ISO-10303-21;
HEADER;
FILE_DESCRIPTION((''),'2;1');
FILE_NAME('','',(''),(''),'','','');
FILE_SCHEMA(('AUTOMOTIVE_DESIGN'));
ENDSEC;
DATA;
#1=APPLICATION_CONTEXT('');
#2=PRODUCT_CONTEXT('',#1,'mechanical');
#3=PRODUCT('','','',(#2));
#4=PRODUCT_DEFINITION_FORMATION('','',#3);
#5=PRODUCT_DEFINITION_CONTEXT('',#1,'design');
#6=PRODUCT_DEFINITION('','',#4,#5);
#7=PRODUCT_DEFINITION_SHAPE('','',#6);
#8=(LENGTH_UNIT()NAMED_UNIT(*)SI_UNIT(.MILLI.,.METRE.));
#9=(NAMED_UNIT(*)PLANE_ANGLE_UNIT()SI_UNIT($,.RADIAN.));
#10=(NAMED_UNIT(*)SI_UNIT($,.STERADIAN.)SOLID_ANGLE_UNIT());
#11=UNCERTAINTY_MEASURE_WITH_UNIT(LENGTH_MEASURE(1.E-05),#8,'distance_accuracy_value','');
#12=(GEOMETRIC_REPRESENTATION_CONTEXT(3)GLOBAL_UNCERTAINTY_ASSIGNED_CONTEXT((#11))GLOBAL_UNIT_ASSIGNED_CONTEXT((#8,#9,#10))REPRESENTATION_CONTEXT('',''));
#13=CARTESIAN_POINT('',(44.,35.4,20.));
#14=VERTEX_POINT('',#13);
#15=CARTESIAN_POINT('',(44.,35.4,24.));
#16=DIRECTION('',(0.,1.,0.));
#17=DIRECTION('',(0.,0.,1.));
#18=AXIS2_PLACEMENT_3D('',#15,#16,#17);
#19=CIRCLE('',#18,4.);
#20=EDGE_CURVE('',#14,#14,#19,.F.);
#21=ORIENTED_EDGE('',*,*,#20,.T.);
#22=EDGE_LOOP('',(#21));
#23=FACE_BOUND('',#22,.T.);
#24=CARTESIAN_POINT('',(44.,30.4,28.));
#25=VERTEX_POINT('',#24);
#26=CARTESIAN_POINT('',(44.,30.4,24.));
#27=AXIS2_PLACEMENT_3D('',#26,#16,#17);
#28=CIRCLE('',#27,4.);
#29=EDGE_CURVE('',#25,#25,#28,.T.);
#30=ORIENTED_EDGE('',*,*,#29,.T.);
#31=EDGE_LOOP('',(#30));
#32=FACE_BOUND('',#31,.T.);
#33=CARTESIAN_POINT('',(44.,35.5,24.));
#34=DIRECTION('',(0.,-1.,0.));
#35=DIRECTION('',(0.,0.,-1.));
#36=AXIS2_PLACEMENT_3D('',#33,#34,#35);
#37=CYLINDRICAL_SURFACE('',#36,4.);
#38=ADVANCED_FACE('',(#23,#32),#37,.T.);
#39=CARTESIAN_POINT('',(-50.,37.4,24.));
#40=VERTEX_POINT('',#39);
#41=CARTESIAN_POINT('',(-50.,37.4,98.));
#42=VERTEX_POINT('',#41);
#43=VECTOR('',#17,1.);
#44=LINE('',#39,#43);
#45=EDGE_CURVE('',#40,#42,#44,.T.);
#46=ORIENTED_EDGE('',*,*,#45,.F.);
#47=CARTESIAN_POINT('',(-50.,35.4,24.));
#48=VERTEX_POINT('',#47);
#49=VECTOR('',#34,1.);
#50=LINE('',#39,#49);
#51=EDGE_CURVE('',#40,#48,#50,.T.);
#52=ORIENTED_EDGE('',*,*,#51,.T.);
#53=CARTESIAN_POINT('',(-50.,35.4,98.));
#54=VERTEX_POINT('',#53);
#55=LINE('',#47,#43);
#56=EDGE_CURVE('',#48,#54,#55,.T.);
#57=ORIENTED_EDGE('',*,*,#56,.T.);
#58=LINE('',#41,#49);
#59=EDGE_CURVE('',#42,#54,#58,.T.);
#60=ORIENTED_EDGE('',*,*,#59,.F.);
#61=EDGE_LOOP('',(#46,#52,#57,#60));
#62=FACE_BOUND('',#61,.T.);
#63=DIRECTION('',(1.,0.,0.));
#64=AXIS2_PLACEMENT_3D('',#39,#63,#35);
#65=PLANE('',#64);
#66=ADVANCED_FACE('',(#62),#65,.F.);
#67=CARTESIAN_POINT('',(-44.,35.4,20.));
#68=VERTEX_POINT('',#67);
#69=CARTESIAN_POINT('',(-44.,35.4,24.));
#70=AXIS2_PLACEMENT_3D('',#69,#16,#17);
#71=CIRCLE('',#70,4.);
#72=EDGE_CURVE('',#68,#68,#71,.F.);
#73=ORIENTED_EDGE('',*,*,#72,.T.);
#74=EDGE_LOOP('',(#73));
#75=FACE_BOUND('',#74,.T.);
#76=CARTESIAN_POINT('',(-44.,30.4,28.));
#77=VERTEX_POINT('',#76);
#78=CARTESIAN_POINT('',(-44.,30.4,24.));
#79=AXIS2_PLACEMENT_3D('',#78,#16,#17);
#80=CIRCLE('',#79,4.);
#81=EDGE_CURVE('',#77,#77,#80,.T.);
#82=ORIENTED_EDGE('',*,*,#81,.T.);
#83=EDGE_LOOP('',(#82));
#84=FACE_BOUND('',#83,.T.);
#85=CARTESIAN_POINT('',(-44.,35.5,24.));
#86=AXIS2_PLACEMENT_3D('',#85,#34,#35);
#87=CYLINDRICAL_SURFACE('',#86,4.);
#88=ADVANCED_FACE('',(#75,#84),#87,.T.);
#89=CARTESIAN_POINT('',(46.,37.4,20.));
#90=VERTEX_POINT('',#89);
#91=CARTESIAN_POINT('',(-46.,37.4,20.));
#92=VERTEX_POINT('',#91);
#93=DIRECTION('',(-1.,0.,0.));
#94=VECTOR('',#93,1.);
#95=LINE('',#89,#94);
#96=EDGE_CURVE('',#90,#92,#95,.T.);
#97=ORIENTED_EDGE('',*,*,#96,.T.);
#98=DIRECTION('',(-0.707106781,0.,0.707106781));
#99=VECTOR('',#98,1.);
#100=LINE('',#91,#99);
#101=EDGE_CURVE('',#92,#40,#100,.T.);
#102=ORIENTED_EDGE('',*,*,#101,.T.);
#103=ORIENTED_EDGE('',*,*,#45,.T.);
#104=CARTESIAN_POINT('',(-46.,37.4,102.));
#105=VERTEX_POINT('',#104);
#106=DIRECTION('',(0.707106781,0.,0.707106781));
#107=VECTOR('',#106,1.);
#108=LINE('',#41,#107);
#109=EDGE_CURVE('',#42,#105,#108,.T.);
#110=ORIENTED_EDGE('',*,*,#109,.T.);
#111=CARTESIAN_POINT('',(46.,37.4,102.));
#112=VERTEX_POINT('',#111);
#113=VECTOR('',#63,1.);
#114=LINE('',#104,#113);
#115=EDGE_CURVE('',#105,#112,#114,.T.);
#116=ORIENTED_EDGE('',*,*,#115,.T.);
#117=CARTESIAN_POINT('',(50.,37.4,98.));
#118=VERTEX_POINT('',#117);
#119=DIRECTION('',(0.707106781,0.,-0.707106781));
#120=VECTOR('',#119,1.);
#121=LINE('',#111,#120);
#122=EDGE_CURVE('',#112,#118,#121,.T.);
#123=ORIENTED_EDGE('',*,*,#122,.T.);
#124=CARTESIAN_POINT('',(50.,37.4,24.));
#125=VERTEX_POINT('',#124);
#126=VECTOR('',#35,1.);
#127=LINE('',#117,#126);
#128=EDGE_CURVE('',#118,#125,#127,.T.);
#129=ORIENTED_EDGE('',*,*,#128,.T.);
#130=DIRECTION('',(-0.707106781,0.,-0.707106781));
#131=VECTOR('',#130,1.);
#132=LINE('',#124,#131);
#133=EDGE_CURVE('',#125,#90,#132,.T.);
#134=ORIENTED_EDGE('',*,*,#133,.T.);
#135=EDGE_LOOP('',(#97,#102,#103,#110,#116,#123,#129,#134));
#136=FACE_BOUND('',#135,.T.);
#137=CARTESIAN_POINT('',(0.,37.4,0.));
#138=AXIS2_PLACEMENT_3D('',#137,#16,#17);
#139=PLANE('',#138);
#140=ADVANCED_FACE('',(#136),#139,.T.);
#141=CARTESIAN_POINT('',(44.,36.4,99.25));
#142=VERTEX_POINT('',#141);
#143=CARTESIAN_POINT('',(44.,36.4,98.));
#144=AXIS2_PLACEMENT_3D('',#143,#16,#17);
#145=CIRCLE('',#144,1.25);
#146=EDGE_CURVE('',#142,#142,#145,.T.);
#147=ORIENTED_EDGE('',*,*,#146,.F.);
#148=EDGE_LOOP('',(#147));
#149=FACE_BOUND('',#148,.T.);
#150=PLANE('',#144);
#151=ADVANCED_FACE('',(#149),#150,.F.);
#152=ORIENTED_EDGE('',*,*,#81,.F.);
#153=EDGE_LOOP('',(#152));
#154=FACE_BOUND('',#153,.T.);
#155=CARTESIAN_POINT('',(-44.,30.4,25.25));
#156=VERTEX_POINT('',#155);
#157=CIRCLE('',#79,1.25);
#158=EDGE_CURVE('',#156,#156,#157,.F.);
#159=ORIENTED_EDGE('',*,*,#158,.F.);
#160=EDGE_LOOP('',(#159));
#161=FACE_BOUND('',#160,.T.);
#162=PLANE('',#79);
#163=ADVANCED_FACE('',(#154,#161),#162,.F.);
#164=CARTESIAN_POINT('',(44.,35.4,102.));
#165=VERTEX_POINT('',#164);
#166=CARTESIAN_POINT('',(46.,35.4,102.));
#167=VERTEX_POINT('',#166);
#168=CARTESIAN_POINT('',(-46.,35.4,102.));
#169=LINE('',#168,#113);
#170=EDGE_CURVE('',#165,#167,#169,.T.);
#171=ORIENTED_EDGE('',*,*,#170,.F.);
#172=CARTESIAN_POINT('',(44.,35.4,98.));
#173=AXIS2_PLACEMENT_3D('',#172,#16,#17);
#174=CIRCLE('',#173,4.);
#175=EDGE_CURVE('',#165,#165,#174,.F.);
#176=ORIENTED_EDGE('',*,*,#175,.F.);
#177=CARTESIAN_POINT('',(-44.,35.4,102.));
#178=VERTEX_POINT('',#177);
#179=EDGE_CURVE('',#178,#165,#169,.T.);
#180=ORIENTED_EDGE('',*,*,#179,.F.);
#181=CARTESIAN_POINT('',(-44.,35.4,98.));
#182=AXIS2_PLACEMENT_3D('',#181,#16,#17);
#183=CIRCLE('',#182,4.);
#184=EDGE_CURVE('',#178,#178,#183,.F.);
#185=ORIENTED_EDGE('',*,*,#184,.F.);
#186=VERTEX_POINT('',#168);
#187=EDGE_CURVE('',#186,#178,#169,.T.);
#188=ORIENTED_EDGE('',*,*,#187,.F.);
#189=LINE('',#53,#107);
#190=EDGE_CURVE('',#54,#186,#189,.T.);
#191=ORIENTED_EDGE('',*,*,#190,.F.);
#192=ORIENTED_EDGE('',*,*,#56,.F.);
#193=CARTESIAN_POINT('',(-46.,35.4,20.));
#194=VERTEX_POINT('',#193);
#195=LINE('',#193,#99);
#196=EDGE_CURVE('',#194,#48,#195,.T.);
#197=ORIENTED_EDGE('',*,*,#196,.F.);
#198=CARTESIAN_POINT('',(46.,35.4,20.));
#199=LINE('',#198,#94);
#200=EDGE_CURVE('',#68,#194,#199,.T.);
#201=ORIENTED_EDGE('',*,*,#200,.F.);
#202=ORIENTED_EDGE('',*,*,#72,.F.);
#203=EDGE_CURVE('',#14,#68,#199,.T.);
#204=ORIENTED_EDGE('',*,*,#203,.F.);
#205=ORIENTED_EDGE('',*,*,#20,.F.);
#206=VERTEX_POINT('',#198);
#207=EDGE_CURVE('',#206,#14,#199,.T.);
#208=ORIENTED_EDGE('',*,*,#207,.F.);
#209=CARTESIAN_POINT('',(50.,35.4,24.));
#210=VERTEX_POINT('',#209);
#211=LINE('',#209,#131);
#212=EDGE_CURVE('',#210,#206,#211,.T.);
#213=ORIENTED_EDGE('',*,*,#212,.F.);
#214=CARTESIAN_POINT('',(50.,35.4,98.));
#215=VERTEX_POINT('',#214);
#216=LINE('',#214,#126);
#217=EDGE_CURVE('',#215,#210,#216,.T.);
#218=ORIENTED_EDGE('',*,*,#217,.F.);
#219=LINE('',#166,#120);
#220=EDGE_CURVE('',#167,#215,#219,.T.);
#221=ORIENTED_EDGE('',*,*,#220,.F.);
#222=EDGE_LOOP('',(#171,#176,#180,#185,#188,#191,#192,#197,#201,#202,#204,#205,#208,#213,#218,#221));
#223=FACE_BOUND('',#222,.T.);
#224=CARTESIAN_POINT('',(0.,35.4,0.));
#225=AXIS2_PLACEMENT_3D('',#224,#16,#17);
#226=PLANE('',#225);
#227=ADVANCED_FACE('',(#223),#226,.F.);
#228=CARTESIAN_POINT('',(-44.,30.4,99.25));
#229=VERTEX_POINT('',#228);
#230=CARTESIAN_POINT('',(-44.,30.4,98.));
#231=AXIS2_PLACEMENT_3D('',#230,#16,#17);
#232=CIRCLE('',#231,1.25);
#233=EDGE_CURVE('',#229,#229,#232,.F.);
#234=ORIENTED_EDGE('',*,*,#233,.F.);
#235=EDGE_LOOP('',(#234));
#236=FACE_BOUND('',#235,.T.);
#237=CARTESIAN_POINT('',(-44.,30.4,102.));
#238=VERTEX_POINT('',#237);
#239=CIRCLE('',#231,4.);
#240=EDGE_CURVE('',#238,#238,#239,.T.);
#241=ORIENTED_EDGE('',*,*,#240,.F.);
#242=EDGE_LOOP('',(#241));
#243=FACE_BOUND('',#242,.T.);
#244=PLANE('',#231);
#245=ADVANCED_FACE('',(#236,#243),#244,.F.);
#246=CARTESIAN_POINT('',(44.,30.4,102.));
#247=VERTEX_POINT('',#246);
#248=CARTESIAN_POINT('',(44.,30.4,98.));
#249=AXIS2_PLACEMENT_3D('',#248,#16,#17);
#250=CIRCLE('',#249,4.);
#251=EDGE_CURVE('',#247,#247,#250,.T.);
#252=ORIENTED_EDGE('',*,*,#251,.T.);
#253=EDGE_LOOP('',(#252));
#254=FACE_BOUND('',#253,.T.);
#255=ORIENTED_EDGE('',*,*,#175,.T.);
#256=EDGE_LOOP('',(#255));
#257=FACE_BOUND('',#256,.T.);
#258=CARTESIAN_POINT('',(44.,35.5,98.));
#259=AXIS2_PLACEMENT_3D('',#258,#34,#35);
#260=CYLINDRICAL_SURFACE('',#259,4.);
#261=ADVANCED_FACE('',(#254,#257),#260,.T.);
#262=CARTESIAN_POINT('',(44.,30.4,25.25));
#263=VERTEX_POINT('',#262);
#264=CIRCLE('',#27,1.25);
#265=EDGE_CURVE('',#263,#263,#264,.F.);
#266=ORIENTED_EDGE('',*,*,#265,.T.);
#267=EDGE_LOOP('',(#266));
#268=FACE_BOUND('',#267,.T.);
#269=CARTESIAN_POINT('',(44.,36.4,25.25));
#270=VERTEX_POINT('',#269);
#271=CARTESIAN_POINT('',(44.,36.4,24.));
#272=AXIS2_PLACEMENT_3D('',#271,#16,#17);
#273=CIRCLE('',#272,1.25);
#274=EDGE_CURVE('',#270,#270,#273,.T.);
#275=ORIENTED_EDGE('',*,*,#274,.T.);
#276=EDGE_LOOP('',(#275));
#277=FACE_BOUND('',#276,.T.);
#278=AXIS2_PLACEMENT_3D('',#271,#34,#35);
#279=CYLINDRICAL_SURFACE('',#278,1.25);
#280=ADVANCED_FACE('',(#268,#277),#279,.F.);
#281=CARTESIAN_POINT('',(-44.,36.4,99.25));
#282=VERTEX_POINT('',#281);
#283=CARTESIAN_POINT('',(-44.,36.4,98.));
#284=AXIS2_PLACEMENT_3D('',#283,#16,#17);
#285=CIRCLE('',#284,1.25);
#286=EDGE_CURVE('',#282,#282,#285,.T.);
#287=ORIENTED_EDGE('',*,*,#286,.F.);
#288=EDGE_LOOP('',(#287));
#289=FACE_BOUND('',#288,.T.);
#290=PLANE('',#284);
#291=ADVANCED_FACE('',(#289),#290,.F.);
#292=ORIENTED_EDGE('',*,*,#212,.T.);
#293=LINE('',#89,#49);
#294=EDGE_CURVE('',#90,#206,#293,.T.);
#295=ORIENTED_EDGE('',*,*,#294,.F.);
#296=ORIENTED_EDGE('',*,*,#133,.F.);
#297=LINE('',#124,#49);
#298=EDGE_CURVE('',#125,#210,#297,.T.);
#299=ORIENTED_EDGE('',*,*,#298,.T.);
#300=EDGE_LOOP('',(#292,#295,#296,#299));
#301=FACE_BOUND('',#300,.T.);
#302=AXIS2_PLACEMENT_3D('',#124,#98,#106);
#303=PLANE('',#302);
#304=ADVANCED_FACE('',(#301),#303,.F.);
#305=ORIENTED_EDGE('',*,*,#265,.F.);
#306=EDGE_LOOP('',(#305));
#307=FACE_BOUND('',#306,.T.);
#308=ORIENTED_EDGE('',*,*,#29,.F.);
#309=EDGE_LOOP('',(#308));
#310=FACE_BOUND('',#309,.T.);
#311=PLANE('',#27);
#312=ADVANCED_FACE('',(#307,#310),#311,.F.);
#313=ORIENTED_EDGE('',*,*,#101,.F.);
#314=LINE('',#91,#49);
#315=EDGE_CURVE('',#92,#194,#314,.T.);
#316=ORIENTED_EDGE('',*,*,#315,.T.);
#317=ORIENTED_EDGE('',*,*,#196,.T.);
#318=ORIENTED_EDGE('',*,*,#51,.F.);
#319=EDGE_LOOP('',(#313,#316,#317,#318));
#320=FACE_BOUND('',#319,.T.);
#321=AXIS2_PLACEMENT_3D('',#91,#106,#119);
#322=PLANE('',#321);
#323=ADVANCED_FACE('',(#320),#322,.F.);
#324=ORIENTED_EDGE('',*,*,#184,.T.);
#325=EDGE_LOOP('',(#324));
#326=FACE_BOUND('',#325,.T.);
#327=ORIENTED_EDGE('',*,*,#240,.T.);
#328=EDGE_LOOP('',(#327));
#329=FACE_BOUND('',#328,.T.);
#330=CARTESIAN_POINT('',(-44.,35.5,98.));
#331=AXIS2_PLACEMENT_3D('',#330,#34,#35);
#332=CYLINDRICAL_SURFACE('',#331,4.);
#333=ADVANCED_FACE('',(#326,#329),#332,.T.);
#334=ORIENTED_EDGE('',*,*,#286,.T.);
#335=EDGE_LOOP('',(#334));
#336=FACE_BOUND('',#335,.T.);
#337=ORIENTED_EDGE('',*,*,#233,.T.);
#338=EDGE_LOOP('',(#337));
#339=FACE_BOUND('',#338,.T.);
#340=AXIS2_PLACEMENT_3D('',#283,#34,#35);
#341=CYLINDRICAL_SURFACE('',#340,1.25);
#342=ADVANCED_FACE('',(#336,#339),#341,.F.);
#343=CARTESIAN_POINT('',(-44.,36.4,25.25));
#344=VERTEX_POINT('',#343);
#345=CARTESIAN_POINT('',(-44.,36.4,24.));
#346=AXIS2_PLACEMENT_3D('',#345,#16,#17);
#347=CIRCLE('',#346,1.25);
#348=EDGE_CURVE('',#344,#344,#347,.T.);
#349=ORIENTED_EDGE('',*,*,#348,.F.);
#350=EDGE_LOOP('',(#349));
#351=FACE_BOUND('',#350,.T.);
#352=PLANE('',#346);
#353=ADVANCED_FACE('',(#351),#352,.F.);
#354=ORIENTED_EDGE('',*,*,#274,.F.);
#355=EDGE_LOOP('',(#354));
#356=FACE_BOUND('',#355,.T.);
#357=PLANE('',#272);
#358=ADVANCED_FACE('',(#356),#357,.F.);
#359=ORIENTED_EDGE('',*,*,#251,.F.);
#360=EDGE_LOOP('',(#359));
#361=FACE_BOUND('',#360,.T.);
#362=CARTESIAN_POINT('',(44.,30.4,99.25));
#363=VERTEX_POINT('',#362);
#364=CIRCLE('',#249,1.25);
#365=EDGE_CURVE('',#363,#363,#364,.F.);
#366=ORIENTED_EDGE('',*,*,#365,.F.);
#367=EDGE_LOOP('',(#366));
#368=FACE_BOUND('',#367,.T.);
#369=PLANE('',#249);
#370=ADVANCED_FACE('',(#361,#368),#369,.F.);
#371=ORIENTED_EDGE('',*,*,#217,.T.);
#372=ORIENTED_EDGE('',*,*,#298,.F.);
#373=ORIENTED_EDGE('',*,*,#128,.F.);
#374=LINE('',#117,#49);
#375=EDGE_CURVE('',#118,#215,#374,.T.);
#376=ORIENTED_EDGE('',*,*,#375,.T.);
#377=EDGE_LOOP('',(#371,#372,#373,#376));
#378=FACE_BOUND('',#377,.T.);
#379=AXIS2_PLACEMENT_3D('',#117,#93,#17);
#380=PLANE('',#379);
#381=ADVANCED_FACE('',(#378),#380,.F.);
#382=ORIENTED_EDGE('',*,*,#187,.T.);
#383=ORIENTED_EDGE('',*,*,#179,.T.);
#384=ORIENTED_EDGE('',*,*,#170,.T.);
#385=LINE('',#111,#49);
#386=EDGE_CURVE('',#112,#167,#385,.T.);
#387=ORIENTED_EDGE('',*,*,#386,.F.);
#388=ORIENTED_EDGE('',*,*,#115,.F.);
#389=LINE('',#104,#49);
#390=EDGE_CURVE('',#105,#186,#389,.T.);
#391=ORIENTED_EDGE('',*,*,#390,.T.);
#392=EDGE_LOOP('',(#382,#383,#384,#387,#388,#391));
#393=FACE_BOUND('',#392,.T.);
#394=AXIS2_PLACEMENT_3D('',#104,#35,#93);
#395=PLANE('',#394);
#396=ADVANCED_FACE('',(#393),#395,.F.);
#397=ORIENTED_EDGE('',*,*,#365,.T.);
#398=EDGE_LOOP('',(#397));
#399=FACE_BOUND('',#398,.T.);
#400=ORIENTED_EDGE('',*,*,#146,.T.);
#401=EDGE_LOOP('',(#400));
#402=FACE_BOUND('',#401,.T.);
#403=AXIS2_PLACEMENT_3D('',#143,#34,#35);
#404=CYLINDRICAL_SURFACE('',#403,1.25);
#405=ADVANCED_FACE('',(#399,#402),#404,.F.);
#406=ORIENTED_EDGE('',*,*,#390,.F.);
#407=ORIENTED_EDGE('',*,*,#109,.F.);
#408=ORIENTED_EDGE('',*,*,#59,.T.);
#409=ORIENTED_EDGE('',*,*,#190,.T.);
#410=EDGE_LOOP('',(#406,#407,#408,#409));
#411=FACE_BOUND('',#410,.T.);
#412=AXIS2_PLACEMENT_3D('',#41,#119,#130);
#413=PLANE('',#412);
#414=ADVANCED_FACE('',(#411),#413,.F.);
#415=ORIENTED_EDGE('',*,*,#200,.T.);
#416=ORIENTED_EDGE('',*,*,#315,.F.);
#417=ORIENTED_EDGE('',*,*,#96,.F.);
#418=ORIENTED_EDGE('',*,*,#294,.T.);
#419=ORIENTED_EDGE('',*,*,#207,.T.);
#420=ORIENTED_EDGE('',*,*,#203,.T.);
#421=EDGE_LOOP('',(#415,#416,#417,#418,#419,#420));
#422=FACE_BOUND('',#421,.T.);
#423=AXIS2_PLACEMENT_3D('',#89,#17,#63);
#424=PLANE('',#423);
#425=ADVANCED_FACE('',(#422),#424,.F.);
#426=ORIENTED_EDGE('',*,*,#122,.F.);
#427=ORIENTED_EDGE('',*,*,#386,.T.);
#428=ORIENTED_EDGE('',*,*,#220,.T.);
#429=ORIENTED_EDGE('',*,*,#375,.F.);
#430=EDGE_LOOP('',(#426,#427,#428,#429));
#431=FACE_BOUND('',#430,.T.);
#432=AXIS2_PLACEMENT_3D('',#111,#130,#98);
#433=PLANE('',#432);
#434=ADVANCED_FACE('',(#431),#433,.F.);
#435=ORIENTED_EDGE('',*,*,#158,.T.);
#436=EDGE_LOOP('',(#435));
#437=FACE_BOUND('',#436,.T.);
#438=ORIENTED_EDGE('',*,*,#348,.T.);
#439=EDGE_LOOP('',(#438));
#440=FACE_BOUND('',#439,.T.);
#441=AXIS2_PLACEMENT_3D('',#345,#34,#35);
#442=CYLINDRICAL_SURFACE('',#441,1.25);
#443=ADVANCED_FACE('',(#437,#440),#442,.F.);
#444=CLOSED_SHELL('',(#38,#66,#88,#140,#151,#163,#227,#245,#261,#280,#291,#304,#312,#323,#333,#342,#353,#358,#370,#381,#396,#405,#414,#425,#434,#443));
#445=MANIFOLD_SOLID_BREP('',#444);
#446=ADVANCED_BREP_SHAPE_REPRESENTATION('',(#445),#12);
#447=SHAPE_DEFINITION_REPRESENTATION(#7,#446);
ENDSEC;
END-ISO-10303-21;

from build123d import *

# Parameters (mm, degrees)
SHADE_PLATE_DEPTH = 2
SKETCH2_R         = 4
POSTS_DEPTH       = 5.1
SKETCH3_R         = 1.25
POST_PILOTS_DEPTH = 6.5


with BuildPart() as part:
    # Sketch1 → Shade Plate (new body)
    with BuildSketch(Plane(origin=(0, 35.4, 0), x_dir=(1, 0, 0), z_dir=(0, 1, 0))):
        Polygon((-46, -102), (46, -102), (50, -98), (50, -24), (46, -20), (-46, -20), (-50, -24), (-50, -98), align=None)
    extrude(amount=SHADE_PLATE_DEPTH)

    # Sketch2 → Posts (add)
    with BuildSketch(Plane(origin=(0, 30.4, 0), x_dir=(1, 0, 0), z_dir=(0, 1, 0))):
        with Locations(Location((-44, -24, 0), (0, 0, 90))):
            Circle(SKETCH2_R)
        with Locations(Location((-44, -98, 0), (0, 0, 270))):
            Circle(SKETCH2_R)
        with Locations(Location((44, -24, 0), (0, 0, 90))):
            Circle(SKETCH2_R)
        with Locations(Location((44, -98, 0), (0, 0, 270))):
            Circle(SKETCH2_R)
    extrude(amount=POSTS_DEPTH)

    # Sketch3 → Post Pilots (cut)
    with BuildSketch(Plane(origin=(0, 29.9, 0), x_dir=(1, 0, 0), z_dir=(0, 1, 0))):
        with Locations(Location((-44, -24, 0), (0, 0, 270))):
            Circle(SKETCH3_R)
        with Locations(Location((-44, -98, 0), (0, 0, 270))):
            Circle(SKETCH3_R)
        with Locations(Location((44, -24, 0), (0, 0, 270))):
            Circle(SKETCH3_R)
        with Locations(Location((44, -98, 0), (0, 0, 270))):
            Circle(SKETCH3_R)
    extrude(amount=POST_PILOTS_DEPTH, mode=Mode.SUBTRACT)


solid = part.part
